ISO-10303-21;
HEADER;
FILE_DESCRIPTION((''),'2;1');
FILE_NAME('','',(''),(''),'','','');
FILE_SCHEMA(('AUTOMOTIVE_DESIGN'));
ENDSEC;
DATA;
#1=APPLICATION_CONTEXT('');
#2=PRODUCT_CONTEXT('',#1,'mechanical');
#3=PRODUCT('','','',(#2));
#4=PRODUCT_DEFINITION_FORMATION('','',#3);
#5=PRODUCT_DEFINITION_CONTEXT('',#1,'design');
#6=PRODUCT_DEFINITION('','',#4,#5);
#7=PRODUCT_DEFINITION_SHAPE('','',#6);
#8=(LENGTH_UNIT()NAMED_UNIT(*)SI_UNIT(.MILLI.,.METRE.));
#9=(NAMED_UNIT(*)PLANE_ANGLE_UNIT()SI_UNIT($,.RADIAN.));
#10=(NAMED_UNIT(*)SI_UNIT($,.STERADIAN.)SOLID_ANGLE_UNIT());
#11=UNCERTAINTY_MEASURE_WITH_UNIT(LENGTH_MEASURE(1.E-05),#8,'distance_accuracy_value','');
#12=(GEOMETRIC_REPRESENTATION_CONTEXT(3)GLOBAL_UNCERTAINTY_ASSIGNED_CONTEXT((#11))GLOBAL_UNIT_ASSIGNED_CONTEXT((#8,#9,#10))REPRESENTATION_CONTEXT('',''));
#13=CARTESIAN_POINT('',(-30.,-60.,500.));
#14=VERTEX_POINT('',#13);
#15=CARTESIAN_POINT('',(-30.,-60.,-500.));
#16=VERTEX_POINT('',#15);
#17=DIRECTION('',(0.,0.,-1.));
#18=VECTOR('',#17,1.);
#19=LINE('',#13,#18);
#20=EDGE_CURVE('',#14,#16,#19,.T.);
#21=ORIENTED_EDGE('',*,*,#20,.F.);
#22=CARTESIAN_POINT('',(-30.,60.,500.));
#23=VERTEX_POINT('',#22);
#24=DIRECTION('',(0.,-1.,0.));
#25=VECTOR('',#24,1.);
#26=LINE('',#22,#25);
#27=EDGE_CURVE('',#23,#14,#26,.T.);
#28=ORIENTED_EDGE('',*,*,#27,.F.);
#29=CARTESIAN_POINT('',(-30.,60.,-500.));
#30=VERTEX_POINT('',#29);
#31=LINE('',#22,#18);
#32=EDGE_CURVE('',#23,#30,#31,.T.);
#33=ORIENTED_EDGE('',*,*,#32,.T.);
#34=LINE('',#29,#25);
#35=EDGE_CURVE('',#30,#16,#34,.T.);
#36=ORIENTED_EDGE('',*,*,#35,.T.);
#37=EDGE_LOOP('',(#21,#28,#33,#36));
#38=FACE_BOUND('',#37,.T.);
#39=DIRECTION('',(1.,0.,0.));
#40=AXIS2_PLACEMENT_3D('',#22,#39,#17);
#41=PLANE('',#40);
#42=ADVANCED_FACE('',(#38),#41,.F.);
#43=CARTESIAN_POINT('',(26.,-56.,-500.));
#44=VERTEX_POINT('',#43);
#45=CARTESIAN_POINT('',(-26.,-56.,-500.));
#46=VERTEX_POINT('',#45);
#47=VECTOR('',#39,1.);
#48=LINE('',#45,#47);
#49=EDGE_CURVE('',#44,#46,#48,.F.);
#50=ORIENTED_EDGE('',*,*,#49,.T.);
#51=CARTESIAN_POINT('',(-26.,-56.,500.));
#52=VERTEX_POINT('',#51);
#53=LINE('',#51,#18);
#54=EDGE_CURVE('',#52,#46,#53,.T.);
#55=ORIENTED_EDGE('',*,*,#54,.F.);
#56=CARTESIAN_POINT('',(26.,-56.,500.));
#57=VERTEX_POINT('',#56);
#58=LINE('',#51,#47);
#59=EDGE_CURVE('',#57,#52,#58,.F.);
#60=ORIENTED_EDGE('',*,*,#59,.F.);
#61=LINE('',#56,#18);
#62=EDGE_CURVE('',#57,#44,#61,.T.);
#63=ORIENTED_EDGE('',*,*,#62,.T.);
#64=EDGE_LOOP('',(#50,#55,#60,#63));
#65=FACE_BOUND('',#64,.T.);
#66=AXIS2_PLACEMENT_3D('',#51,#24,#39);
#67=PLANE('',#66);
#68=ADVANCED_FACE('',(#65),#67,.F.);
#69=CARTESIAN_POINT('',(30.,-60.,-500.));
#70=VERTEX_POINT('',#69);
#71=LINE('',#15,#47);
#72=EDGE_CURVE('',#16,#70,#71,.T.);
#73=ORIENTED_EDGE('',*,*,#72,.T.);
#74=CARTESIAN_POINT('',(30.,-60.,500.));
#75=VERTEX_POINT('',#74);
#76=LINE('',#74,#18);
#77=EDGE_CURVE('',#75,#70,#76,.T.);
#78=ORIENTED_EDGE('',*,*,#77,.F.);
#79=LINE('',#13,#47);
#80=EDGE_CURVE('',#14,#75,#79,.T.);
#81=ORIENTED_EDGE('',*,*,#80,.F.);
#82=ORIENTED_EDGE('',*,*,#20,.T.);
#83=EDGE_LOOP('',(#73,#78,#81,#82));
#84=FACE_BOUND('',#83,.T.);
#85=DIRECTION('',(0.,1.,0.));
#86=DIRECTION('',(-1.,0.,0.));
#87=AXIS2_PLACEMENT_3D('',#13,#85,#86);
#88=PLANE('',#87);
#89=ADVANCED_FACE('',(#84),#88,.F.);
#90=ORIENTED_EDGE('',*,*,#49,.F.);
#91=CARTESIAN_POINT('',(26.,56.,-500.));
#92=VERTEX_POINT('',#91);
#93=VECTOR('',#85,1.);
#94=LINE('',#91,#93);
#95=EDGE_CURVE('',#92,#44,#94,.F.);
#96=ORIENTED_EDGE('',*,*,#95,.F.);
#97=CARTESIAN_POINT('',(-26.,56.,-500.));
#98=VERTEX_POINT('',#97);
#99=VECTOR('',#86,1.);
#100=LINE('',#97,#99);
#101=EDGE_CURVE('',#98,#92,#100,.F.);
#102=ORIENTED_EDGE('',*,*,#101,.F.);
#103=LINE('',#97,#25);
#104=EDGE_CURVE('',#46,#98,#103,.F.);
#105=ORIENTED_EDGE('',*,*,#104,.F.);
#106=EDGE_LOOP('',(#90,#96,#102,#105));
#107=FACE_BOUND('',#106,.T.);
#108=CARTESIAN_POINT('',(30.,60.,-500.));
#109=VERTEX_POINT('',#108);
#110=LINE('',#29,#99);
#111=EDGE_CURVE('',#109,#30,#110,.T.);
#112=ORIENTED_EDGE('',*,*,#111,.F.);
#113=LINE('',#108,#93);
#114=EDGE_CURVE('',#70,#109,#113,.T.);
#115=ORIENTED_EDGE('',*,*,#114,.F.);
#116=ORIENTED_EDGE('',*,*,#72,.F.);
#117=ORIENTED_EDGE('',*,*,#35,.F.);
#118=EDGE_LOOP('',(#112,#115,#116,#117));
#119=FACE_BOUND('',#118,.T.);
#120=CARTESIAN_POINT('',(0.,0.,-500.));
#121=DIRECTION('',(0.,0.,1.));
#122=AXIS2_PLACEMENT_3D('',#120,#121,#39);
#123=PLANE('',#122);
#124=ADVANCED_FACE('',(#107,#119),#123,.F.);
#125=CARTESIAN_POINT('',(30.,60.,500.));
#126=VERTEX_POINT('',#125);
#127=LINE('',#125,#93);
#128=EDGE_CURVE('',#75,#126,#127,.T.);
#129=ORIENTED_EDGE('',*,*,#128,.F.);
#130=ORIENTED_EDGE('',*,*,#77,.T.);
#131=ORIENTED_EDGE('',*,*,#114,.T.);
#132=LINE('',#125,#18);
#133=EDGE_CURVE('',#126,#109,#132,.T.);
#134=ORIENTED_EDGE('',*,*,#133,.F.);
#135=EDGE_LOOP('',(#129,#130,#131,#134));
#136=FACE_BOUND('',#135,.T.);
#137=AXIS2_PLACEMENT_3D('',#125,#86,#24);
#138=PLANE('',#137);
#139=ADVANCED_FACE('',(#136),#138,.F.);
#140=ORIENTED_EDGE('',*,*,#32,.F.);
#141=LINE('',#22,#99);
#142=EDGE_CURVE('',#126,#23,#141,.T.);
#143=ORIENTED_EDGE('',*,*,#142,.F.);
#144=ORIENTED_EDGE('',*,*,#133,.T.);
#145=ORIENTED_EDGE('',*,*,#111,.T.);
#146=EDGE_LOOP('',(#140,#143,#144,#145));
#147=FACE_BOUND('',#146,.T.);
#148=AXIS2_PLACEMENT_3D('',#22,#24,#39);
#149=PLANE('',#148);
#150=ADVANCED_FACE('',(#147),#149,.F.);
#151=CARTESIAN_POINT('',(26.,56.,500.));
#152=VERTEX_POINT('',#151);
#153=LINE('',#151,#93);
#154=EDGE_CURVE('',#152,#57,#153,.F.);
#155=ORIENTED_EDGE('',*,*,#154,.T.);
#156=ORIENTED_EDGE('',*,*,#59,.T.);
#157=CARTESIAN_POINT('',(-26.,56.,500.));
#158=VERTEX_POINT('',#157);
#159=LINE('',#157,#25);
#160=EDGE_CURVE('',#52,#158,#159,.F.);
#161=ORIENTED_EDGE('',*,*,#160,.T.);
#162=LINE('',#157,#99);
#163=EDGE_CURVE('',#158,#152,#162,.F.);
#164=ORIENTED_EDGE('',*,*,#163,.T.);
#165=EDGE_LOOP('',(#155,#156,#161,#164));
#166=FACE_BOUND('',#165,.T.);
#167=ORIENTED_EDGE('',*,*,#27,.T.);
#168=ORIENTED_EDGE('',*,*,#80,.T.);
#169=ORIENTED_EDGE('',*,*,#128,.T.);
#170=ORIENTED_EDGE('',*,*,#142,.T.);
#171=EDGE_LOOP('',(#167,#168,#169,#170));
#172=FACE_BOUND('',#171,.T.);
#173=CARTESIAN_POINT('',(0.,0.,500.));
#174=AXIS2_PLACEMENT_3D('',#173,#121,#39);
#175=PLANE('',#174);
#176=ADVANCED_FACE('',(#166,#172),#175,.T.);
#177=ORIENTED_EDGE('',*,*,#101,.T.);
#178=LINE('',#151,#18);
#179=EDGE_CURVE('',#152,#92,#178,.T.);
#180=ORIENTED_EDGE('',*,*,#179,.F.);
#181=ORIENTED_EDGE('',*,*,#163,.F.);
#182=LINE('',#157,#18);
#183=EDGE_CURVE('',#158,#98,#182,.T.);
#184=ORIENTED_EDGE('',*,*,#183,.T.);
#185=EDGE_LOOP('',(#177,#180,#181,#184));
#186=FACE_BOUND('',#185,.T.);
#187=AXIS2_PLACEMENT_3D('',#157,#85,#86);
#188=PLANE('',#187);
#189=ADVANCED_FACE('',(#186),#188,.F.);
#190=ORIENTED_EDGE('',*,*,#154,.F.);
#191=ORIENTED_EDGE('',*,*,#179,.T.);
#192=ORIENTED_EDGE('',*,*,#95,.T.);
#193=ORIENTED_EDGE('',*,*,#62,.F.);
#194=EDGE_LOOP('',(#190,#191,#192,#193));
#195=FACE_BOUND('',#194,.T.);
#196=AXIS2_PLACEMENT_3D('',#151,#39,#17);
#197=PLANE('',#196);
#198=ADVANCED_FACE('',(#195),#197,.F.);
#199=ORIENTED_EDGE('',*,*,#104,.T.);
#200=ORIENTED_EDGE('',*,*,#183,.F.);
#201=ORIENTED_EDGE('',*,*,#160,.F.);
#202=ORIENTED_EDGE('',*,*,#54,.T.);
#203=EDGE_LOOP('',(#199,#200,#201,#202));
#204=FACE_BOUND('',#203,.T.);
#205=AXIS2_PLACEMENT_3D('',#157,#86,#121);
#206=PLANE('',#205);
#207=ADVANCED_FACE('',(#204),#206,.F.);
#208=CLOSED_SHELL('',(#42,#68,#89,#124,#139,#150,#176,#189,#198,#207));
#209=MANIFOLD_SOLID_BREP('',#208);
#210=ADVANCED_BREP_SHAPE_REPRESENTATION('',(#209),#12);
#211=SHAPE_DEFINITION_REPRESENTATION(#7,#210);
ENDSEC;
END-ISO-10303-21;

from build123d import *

# Parameters (mm, degrees)
SKETCH1_W   = 60
SKETCH1_H   = 120
SKETCH1_W_2 = 52
SKETCH1_H_2 = 112


with BuildPart() as part:
    # Sweep1: sweep along a curve in space
    with BuildLine() as sweep1_path:
        add(Edge.make_bspline(
            [(0, 0, -500), (0, 0, 500)],
            knots=[0, 0, 1, 1], degree=1))
    # Sketch1 → Sweep1 (sweep)
    with BuildSketch(Plane.XY):
        Rectangle(SKETCH1_W, SKETCH1_H)
        Rectangle(SKETCH1_W_2, SKETCH1_H_2, mode=Mode.SUBTRACT)
    sweep(path=sweep1_path.line)


solid = part.part
